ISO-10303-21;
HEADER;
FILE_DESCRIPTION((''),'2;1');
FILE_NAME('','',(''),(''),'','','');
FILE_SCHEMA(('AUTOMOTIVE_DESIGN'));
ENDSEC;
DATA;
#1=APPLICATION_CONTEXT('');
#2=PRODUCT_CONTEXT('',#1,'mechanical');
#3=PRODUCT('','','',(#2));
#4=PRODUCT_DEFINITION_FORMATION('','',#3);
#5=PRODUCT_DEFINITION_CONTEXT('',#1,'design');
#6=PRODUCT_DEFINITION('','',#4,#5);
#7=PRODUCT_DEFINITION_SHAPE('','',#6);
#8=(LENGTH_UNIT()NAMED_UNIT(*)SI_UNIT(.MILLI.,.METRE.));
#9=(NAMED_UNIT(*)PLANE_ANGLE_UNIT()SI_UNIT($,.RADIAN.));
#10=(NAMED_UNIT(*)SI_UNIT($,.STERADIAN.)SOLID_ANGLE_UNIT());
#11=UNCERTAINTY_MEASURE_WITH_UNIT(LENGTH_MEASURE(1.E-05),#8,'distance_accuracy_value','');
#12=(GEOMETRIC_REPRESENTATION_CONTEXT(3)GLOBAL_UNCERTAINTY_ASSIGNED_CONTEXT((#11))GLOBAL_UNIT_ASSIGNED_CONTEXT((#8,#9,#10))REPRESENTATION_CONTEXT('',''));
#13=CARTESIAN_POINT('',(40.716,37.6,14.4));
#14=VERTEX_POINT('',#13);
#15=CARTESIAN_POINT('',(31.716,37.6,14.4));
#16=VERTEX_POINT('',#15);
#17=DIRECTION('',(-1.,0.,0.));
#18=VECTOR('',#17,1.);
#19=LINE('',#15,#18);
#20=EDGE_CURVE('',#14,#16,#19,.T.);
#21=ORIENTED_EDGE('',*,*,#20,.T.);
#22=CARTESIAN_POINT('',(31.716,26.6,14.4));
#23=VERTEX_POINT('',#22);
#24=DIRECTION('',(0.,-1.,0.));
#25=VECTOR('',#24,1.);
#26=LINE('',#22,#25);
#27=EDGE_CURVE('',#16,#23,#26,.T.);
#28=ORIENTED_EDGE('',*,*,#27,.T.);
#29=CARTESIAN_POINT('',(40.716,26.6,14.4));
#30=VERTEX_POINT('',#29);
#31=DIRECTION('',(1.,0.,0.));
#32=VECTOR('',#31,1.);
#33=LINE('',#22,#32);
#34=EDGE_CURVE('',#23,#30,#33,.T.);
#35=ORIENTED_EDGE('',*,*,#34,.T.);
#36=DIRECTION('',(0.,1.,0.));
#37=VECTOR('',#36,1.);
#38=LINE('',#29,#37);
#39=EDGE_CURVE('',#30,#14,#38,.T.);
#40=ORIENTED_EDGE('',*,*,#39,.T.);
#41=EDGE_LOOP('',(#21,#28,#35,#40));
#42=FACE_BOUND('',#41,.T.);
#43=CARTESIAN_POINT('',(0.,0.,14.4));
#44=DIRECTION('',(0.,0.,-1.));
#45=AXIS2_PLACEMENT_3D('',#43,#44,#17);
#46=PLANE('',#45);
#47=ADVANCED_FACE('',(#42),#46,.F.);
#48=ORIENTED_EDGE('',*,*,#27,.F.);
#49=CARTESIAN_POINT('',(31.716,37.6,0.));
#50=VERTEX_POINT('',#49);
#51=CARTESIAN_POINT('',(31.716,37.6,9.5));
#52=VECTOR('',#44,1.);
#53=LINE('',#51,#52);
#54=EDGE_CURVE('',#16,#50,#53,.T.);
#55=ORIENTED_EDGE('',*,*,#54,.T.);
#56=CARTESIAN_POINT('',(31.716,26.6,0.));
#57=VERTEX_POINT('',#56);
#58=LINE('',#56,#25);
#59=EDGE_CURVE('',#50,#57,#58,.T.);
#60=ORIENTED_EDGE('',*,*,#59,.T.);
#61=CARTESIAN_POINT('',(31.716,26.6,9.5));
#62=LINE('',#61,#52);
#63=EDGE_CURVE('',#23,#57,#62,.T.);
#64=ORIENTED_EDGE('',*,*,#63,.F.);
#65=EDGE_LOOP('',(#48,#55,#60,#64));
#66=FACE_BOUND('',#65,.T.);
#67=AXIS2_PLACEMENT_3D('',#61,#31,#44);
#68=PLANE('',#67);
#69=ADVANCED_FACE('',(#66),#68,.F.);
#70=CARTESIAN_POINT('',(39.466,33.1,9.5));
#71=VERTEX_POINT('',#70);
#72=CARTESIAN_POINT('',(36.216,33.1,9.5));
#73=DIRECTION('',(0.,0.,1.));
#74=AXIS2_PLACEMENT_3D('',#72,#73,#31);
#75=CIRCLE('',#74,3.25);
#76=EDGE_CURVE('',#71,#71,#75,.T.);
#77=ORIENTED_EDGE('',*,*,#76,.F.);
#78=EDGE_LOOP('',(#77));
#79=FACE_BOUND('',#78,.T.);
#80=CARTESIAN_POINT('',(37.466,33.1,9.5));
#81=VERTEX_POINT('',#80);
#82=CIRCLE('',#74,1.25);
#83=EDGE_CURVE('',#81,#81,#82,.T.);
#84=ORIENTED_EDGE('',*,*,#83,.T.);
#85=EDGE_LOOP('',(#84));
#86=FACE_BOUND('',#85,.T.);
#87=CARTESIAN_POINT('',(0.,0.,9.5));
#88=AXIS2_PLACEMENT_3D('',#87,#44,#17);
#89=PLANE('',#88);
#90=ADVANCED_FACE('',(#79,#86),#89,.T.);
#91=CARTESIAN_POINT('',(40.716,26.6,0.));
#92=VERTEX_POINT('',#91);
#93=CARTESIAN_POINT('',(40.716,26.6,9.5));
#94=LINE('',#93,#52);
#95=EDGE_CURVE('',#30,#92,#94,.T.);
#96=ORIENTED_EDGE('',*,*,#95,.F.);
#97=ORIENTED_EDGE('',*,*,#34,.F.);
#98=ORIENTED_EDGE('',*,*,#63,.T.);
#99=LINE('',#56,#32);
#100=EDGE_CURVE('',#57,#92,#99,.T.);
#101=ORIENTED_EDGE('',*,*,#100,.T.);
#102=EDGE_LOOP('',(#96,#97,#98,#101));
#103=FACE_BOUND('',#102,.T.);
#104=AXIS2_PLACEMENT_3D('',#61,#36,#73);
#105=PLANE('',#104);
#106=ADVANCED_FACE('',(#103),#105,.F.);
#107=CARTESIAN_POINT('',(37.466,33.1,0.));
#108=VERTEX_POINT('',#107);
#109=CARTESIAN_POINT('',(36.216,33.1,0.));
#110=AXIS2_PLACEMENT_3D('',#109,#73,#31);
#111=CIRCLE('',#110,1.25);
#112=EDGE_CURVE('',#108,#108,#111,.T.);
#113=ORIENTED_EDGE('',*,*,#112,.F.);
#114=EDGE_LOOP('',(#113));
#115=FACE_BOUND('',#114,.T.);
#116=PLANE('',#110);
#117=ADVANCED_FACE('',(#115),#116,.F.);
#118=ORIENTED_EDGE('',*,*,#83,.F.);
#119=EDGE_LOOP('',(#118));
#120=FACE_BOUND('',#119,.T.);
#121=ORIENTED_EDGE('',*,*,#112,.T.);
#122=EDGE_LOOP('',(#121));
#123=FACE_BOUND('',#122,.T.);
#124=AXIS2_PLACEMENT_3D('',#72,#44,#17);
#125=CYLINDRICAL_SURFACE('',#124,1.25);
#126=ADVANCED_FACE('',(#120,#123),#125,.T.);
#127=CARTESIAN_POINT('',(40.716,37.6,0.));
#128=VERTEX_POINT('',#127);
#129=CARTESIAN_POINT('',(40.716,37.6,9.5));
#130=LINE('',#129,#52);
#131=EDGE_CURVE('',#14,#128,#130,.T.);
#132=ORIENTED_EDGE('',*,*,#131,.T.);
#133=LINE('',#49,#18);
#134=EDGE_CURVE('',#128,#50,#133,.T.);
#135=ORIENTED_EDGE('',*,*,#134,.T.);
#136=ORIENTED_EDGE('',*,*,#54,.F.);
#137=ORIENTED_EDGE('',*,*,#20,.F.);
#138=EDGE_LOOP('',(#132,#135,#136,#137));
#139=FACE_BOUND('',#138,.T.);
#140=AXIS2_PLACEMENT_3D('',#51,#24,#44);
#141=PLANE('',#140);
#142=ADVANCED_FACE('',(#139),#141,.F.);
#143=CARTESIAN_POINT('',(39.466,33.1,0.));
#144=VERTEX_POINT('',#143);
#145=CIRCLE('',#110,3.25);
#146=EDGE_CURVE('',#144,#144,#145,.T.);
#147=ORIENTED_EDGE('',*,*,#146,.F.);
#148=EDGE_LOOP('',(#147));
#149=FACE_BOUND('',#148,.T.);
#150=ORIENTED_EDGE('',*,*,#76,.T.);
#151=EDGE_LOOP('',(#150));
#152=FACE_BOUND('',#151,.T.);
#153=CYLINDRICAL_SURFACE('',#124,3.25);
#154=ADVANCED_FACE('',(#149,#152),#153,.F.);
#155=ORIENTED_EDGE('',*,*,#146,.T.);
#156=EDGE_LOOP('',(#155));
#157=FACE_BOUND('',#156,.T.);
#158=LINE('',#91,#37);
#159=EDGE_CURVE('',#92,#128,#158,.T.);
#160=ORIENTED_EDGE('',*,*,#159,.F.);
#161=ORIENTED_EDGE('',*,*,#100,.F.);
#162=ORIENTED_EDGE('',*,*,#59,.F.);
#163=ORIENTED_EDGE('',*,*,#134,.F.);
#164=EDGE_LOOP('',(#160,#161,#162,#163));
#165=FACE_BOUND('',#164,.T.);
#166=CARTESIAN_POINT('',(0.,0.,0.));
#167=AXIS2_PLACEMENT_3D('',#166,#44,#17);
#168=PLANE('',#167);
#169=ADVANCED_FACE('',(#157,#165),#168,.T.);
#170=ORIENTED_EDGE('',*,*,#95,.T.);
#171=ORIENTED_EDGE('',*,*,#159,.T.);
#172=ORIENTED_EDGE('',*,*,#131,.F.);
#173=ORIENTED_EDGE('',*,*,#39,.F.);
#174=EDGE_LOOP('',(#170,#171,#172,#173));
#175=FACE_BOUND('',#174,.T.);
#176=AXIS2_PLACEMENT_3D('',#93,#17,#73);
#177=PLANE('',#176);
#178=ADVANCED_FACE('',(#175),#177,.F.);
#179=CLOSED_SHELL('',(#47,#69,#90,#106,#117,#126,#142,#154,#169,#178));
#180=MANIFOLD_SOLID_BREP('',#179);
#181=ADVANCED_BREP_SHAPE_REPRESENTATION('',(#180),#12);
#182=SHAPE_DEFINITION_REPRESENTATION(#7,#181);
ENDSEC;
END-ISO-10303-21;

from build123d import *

# Parameters (mm, degrees)
SKETCH_1_W                               = 9
SKETCH_1_H                               = 11
SKETCH_1_R                               = 3.25
PJ002BH_9X11_FRONT_9P5MM_INSERTION_DEPTH = 9.5
JACK_REAR_BODY_14P4MM_TOTAL_START        = 9.5
SKETCH_2_W                               = 9
SKETCH_2_H                               = 11
JACK_REAR_BODY_14P4MM_TOTAL_DEPTH        = 4.9
SKETCH_3_R                               = 1.25
F_2P5MM_CENTRE_PIN_DEPTH                 = 9.5


with BuildPart() as part:
    # 草图1 → PJ002BH_9x11_front_9p5mm_insertion (new body)
    with BuildSketch(Plane.XY):
        with Locations((36.216, 32.1)):
            Rectangle(SKETCH_1_W, SKETCH_1_H)
        with Locations((36.216, 33.1)):
            Circle(SKETCH_1_R, mode=Mode.SUBTRACT)
    extrude(amount=PJ002BH_9X11_FRONT_9P5MM_INSERTION_DEPTH)

    # 草图2 → Jack_rear_body_14p4mm_total (add)
    with BuildSketch(Plane.XY.offset(JACK_REAR_BODY_14P4MM_TOTAL_START)):
        with Locations((36.216, 32.1)):
            Rectangle(SKETCH_2_W, SKETCH_2_H)
    extrude(amount=JACK_REAR_BODY_14P4MM_TOTAL_DEPTH)

    # 草图3 → 2p5mm_centre_pin (add)
    with BuildSketch(Plane.XY):
        with Locations((36.216, 33.1)):
            Circle(SKETCH_3_R)
    extrude(amount=F_2P5MM_CENTRE_PIN_DEPTH)


solid = part.part
